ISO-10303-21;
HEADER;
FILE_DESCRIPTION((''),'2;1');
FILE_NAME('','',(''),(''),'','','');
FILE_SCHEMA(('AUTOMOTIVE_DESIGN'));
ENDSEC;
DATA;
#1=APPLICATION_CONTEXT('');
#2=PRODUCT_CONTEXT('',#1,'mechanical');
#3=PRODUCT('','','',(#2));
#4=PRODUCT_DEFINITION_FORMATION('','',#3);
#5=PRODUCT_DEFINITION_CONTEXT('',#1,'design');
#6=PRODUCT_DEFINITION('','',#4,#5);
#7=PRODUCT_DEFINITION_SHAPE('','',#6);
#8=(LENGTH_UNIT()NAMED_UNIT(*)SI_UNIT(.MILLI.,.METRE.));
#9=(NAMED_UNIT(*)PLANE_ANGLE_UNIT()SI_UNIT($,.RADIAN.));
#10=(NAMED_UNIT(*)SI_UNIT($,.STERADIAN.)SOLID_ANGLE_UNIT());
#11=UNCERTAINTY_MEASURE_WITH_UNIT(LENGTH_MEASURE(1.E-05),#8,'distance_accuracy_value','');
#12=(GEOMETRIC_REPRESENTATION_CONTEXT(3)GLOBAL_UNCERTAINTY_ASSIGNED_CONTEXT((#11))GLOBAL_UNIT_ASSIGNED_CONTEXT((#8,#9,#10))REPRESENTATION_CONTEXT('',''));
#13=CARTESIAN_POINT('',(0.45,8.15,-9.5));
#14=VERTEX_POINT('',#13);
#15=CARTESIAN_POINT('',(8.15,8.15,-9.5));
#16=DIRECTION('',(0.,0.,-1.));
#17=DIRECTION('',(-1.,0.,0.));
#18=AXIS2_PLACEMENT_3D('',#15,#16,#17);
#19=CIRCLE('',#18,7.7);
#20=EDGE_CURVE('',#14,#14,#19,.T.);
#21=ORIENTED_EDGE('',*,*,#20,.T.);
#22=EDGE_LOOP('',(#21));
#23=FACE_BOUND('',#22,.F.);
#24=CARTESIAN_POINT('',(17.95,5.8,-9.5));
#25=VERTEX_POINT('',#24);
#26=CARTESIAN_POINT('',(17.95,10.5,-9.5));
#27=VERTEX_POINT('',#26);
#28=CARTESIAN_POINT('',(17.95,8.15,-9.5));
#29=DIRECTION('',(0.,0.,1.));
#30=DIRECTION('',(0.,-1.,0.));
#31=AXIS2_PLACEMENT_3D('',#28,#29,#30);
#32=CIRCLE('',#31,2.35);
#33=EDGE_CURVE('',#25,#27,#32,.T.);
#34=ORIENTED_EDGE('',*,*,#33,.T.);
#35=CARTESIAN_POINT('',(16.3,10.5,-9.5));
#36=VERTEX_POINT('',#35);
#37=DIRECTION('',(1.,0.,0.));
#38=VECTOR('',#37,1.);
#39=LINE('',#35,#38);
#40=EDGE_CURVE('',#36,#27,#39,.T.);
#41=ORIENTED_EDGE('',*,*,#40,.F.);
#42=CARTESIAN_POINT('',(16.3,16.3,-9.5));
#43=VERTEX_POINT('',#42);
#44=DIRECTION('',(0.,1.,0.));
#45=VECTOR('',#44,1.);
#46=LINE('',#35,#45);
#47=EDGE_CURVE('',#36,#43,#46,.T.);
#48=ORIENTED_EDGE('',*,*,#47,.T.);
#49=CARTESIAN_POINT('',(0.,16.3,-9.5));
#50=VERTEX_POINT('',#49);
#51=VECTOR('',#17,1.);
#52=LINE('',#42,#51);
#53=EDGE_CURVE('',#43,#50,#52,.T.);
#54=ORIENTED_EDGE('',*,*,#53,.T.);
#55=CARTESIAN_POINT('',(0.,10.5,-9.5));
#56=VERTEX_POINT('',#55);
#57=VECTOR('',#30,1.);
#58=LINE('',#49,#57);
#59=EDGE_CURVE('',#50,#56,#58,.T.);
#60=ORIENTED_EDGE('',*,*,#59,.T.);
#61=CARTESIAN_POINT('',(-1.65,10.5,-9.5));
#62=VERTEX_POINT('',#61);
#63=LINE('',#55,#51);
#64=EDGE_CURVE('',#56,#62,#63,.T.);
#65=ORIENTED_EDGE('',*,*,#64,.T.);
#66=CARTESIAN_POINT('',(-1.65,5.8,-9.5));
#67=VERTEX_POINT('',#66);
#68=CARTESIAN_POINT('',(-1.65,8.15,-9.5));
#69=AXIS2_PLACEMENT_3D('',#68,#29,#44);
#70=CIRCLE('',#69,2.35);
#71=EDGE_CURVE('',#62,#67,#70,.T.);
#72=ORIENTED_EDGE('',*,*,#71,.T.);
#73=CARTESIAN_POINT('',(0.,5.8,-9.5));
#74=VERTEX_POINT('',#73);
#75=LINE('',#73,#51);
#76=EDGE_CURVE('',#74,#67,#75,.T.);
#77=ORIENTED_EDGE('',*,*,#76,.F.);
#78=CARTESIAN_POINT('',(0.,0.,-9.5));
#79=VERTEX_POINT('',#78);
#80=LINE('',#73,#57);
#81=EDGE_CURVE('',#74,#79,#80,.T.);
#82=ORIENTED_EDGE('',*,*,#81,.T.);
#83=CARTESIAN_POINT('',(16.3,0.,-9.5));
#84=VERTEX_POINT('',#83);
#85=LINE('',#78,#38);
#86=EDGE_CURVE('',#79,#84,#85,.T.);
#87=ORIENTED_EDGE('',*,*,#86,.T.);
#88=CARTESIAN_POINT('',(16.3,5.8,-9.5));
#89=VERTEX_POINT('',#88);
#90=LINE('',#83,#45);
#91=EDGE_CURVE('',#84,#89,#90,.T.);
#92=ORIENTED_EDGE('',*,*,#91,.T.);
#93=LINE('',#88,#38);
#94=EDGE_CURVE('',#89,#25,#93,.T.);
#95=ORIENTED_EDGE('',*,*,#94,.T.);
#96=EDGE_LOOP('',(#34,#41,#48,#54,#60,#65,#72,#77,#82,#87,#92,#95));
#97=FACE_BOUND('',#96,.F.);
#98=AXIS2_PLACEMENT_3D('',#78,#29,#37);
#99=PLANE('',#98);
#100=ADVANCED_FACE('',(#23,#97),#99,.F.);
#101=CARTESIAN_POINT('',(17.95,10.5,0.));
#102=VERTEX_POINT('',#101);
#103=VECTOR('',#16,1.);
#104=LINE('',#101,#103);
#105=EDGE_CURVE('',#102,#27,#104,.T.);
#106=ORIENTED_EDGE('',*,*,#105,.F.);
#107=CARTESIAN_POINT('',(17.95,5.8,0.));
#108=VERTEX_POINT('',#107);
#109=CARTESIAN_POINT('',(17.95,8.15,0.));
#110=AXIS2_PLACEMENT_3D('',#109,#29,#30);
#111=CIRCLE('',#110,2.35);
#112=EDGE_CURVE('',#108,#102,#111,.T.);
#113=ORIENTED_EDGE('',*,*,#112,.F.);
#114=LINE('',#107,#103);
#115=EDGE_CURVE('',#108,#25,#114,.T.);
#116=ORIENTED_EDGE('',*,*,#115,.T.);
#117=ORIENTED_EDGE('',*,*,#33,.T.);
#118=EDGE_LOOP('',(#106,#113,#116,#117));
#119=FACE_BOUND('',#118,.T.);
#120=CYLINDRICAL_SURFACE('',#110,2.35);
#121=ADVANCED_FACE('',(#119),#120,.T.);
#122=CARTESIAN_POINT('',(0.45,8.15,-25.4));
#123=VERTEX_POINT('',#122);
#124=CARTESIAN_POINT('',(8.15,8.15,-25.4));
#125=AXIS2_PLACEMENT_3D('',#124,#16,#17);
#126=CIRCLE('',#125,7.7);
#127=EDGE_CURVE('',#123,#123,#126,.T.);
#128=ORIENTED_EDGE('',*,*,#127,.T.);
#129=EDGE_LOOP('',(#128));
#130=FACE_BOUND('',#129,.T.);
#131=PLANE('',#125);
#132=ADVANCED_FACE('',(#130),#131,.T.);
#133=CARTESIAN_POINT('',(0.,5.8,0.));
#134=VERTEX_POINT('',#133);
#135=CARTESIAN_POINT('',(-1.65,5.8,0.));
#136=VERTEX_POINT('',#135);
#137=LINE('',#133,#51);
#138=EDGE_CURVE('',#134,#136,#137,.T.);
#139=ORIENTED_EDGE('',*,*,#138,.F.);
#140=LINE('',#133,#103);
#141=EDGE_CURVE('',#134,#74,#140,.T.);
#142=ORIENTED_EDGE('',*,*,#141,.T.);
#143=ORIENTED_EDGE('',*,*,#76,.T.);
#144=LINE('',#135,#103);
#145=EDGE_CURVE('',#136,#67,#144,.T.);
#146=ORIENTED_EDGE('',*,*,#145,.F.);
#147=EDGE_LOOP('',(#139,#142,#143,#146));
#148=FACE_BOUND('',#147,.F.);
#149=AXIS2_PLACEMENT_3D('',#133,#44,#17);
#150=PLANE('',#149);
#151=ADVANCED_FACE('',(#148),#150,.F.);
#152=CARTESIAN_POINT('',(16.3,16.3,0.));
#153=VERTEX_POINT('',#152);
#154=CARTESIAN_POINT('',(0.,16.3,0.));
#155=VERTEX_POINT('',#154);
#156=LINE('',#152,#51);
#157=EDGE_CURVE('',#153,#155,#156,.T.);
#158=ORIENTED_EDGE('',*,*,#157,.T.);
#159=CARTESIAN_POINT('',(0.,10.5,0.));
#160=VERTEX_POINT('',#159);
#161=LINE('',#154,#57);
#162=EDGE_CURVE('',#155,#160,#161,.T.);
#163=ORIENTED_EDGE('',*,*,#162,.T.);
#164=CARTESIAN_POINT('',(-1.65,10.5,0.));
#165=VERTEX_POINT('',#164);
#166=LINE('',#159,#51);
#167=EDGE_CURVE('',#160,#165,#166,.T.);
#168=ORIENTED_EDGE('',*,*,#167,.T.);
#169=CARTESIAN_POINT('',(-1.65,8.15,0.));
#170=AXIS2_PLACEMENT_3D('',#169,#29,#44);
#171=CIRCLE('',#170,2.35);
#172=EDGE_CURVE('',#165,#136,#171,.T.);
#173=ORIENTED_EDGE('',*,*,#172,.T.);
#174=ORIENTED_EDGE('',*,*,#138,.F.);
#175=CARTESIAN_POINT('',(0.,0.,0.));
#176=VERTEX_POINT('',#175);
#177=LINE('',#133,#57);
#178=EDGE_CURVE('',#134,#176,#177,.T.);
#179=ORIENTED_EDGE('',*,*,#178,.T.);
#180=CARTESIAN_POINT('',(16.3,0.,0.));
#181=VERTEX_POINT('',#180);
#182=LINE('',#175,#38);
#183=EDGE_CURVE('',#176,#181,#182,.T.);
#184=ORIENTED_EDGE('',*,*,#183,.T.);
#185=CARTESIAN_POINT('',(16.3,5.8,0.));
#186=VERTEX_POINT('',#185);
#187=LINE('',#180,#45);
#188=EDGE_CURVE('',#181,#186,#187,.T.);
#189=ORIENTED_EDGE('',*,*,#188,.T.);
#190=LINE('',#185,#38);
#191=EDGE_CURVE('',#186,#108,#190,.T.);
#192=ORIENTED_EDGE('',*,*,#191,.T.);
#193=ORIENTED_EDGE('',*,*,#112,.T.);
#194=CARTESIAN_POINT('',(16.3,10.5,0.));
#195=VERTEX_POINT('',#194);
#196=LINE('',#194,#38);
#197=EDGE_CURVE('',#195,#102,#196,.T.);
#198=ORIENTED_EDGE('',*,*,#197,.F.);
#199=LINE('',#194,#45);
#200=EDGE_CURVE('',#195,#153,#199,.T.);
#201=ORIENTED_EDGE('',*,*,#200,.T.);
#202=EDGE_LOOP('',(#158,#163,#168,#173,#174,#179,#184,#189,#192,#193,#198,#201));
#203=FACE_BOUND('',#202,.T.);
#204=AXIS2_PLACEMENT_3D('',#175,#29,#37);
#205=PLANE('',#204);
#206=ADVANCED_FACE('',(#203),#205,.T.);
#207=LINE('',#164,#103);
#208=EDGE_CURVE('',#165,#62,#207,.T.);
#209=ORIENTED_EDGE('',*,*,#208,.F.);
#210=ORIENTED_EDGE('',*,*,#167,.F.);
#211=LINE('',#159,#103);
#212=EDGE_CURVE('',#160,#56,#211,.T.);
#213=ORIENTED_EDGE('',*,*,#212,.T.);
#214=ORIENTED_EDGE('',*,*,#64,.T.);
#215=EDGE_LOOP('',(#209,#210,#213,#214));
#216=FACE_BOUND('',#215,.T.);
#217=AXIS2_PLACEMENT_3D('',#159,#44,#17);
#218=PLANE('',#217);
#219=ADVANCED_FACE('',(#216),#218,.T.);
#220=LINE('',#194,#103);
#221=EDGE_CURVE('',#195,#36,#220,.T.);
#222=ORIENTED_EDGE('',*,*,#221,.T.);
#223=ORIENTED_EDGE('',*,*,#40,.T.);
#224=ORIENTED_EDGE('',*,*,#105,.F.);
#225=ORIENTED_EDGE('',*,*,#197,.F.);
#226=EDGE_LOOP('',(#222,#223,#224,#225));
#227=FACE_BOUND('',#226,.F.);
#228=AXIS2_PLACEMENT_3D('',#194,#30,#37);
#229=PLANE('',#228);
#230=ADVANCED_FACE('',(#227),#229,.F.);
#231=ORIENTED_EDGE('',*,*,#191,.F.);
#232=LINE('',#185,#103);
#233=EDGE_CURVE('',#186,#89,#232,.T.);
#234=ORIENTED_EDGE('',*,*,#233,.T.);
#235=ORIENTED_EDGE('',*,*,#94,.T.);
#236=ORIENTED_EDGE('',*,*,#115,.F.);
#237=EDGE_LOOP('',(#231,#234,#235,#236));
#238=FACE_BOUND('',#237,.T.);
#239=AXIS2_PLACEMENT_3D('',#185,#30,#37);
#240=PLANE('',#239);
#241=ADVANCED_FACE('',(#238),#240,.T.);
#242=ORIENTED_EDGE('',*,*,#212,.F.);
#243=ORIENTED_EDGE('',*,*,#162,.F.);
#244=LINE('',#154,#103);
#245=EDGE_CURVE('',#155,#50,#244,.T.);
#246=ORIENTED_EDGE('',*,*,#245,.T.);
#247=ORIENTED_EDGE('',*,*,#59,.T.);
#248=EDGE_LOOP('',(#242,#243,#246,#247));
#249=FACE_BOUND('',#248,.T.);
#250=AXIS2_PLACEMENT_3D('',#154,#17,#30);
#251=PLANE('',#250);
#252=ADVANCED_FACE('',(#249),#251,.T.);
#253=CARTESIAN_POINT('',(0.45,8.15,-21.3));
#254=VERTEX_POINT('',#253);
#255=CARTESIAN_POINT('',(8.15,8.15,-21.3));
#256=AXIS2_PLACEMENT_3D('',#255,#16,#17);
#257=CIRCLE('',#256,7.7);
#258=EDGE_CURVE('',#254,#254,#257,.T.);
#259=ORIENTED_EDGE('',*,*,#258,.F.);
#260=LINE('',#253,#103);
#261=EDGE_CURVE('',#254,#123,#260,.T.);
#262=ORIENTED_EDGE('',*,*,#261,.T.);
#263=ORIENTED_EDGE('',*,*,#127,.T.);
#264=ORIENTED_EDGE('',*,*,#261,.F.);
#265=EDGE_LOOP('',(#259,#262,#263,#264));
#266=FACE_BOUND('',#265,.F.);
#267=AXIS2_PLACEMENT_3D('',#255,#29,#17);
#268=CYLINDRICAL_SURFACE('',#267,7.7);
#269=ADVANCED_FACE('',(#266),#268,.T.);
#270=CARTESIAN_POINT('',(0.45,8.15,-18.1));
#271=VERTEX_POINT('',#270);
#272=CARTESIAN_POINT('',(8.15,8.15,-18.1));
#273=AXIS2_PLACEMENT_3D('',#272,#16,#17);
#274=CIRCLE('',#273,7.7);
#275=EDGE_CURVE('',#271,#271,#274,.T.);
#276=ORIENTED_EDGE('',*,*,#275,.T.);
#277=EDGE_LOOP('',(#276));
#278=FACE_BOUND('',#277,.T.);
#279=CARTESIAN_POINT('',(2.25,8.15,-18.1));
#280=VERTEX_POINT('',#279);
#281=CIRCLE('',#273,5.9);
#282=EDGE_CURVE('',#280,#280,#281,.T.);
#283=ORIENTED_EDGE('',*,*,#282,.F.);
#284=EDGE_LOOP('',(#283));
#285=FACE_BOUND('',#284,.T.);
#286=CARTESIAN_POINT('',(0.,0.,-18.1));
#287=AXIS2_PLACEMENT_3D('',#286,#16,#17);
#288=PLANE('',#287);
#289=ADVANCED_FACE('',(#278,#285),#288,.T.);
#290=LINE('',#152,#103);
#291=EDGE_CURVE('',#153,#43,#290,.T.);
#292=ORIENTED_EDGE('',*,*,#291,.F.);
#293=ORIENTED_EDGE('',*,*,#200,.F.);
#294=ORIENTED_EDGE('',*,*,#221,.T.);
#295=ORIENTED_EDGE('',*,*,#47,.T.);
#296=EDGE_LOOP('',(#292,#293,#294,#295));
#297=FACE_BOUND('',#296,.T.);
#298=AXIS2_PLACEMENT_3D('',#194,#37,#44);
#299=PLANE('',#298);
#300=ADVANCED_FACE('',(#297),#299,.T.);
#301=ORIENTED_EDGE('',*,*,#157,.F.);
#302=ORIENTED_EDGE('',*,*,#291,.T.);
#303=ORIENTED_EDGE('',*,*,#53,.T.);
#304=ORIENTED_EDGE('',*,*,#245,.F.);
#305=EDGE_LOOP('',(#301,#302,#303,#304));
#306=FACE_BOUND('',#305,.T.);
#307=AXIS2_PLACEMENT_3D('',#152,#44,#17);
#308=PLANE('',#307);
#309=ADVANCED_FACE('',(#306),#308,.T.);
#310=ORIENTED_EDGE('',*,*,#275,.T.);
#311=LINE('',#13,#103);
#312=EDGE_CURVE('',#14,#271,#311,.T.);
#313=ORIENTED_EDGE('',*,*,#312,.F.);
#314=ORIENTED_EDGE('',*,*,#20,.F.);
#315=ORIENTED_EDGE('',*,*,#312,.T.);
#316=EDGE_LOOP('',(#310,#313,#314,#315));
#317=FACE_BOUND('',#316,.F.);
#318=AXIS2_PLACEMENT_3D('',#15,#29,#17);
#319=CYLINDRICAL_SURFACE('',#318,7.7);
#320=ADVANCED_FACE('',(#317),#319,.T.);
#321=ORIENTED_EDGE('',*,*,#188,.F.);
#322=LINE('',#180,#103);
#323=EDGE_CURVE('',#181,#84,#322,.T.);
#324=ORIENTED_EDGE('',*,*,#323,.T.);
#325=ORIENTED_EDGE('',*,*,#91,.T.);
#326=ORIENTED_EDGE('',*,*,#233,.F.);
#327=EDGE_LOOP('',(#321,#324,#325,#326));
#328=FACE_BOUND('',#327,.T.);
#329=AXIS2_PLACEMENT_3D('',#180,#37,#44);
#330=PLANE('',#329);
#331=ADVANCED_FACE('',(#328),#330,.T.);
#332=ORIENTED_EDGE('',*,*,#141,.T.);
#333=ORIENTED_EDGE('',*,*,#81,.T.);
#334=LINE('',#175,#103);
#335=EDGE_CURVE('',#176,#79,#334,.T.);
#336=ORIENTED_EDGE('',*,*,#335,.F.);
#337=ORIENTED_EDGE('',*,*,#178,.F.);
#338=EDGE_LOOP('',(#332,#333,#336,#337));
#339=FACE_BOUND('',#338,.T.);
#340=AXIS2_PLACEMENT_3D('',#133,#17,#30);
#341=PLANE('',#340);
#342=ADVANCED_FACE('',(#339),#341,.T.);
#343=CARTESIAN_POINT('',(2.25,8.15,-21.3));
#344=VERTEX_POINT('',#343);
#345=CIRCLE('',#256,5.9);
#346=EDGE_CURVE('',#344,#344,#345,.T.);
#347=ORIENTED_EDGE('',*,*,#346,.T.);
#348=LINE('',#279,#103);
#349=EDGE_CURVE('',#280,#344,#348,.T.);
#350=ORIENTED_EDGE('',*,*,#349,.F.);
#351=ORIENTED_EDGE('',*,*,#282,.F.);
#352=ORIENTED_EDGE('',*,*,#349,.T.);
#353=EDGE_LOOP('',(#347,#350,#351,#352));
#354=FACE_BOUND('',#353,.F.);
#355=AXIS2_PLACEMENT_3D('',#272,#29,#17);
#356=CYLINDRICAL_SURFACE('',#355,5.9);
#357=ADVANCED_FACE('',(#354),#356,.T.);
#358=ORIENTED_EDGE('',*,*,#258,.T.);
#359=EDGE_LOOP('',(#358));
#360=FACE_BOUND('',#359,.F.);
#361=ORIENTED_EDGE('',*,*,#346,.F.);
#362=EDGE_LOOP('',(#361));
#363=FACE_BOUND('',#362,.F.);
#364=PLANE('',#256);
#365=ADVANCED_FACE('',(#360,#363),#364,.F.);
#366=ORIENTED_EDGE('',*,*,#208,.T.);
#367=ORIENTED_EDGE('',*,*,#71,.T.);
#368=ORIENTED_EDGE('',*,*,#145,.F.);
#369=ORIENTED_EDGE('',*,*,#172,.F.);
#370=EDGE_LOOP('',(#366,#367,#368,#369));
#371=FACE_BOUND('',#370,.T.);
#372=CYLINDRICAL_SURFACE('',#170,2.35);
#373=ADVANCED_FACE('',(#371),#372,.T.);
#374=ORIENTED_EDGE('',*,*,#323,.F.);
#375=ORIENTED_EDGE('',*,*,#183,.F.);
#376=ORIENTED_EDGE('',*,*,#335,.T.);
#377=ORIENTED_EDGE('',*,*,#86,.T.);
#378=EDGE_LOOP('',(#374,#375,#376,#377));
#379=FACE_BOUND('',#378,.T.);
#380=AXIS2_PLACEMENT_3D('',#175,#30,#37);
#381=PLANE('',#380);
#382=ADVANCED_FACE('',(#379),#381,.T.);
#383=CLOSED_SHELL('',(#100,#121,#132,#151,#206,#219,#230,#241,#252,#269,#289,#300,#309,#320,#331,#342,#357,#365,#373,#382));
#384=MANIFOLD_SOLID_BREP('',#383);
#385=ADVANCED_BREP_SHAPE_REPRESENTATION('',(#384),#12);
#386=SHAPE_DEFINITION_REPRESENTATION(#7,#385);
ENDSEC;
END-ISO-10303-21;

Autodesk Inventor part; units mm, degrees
ref_plane "YZ Plane" through (0, 0, 0) normal (1, 0, 0) x (0, 1, 0)
ref_plane "XZ Plane" through (0, 0, 0) normal (0, 1, 0) x (-1, 0, 0)
ref_plane "XY Plane" through (0, 0, 0) normal (0, 0, 1) x (1, 0, 0)
sketch "Эскиз1" plane through (0, 0, 0) normal (0, 0, 1) x (1, 0, 0)
  line L0 (0, 0) -> (16.3, 0)
  line L1 (16.3, 16.3) -> (0, 16.3)
  line L2 (0, 10.5) -> (-1.65, 10.5)
  line L3 (0, 5.8) -> (-1.65, 5.8)
  line L4 (16.3, 10.5) -> (17.95, 10.5)
  line L5 (16.3, 5.8) -> (17.95, 5.8)
  arc A0 (-1.65, 10.5) -> (-1.65, 5.8) centre (-1.65, 8.15) ccw
  arc A1 (17.95, 5.8) -> (17.95, 10.5) centre (17.95, 8.15) ccw
  line L6 (0, 16.3) -> (0, 10.5)
  line L7 (0, 5.8) -> (0, 0)
  line L8 (16.3, 0) -> (16.3, 5.8)
  line L9 (16.3, 10.5) -> (16.3, 16.3)
  point P0 (-4, 8.15)
  dimension "d0" = 4.7
  dimension "d1" = 4
  dimension "d2" = 16.3
  dimension "d3" = 16.3
  dimension "d4" = 4.7
extrude "Выдавливание1" add sketch "Эскиз1" against normal blind 9.5
sketch "Эскиз2" plane through (0, 0, -9.5) normal (0, 0, -1) x (-1, 0, 0)
  circle A0 centre (-8.15, 8.15) radius 7.7
  arc A1 (1.65, 5.8) -> (1.65, 10.5) centre (1.65, 8.15) ccw projected
  line L0 (0, 16.3) -> (-16.3, 16.3) projected
  point P0 (0, 0)
  point P1 (4, 8.15)
  point P2 (-8.15, 16.3)
  dimension "d7" = 15.4
extrude "Выдавливание2" add sketch "Эскиз2" along normal blind 8.6
sketch "Эскиз3" plane through (8.15, 8.15, -18.1) normal (0, 0, -1) x (-1, 0, 0)
  circle A0 centre (0, 0) radius 5.9
  dimension "d10" = 11.8
extrude "Выдавливание3" add sketch "Эскиз3" along normal blind 3.2
sketch "Эскиз4" plane through (8.15, 8.15, -21.3) normal (0, 0, -1) x (-1, 0, 0)
  circle A0 centre (0, 0) radius 7.7 projected
extrude "Выдавливание4" add sketch "Эскиз4" along normal blind 4.1
equation "\"d4\" = d0"
properties part number "cum"
